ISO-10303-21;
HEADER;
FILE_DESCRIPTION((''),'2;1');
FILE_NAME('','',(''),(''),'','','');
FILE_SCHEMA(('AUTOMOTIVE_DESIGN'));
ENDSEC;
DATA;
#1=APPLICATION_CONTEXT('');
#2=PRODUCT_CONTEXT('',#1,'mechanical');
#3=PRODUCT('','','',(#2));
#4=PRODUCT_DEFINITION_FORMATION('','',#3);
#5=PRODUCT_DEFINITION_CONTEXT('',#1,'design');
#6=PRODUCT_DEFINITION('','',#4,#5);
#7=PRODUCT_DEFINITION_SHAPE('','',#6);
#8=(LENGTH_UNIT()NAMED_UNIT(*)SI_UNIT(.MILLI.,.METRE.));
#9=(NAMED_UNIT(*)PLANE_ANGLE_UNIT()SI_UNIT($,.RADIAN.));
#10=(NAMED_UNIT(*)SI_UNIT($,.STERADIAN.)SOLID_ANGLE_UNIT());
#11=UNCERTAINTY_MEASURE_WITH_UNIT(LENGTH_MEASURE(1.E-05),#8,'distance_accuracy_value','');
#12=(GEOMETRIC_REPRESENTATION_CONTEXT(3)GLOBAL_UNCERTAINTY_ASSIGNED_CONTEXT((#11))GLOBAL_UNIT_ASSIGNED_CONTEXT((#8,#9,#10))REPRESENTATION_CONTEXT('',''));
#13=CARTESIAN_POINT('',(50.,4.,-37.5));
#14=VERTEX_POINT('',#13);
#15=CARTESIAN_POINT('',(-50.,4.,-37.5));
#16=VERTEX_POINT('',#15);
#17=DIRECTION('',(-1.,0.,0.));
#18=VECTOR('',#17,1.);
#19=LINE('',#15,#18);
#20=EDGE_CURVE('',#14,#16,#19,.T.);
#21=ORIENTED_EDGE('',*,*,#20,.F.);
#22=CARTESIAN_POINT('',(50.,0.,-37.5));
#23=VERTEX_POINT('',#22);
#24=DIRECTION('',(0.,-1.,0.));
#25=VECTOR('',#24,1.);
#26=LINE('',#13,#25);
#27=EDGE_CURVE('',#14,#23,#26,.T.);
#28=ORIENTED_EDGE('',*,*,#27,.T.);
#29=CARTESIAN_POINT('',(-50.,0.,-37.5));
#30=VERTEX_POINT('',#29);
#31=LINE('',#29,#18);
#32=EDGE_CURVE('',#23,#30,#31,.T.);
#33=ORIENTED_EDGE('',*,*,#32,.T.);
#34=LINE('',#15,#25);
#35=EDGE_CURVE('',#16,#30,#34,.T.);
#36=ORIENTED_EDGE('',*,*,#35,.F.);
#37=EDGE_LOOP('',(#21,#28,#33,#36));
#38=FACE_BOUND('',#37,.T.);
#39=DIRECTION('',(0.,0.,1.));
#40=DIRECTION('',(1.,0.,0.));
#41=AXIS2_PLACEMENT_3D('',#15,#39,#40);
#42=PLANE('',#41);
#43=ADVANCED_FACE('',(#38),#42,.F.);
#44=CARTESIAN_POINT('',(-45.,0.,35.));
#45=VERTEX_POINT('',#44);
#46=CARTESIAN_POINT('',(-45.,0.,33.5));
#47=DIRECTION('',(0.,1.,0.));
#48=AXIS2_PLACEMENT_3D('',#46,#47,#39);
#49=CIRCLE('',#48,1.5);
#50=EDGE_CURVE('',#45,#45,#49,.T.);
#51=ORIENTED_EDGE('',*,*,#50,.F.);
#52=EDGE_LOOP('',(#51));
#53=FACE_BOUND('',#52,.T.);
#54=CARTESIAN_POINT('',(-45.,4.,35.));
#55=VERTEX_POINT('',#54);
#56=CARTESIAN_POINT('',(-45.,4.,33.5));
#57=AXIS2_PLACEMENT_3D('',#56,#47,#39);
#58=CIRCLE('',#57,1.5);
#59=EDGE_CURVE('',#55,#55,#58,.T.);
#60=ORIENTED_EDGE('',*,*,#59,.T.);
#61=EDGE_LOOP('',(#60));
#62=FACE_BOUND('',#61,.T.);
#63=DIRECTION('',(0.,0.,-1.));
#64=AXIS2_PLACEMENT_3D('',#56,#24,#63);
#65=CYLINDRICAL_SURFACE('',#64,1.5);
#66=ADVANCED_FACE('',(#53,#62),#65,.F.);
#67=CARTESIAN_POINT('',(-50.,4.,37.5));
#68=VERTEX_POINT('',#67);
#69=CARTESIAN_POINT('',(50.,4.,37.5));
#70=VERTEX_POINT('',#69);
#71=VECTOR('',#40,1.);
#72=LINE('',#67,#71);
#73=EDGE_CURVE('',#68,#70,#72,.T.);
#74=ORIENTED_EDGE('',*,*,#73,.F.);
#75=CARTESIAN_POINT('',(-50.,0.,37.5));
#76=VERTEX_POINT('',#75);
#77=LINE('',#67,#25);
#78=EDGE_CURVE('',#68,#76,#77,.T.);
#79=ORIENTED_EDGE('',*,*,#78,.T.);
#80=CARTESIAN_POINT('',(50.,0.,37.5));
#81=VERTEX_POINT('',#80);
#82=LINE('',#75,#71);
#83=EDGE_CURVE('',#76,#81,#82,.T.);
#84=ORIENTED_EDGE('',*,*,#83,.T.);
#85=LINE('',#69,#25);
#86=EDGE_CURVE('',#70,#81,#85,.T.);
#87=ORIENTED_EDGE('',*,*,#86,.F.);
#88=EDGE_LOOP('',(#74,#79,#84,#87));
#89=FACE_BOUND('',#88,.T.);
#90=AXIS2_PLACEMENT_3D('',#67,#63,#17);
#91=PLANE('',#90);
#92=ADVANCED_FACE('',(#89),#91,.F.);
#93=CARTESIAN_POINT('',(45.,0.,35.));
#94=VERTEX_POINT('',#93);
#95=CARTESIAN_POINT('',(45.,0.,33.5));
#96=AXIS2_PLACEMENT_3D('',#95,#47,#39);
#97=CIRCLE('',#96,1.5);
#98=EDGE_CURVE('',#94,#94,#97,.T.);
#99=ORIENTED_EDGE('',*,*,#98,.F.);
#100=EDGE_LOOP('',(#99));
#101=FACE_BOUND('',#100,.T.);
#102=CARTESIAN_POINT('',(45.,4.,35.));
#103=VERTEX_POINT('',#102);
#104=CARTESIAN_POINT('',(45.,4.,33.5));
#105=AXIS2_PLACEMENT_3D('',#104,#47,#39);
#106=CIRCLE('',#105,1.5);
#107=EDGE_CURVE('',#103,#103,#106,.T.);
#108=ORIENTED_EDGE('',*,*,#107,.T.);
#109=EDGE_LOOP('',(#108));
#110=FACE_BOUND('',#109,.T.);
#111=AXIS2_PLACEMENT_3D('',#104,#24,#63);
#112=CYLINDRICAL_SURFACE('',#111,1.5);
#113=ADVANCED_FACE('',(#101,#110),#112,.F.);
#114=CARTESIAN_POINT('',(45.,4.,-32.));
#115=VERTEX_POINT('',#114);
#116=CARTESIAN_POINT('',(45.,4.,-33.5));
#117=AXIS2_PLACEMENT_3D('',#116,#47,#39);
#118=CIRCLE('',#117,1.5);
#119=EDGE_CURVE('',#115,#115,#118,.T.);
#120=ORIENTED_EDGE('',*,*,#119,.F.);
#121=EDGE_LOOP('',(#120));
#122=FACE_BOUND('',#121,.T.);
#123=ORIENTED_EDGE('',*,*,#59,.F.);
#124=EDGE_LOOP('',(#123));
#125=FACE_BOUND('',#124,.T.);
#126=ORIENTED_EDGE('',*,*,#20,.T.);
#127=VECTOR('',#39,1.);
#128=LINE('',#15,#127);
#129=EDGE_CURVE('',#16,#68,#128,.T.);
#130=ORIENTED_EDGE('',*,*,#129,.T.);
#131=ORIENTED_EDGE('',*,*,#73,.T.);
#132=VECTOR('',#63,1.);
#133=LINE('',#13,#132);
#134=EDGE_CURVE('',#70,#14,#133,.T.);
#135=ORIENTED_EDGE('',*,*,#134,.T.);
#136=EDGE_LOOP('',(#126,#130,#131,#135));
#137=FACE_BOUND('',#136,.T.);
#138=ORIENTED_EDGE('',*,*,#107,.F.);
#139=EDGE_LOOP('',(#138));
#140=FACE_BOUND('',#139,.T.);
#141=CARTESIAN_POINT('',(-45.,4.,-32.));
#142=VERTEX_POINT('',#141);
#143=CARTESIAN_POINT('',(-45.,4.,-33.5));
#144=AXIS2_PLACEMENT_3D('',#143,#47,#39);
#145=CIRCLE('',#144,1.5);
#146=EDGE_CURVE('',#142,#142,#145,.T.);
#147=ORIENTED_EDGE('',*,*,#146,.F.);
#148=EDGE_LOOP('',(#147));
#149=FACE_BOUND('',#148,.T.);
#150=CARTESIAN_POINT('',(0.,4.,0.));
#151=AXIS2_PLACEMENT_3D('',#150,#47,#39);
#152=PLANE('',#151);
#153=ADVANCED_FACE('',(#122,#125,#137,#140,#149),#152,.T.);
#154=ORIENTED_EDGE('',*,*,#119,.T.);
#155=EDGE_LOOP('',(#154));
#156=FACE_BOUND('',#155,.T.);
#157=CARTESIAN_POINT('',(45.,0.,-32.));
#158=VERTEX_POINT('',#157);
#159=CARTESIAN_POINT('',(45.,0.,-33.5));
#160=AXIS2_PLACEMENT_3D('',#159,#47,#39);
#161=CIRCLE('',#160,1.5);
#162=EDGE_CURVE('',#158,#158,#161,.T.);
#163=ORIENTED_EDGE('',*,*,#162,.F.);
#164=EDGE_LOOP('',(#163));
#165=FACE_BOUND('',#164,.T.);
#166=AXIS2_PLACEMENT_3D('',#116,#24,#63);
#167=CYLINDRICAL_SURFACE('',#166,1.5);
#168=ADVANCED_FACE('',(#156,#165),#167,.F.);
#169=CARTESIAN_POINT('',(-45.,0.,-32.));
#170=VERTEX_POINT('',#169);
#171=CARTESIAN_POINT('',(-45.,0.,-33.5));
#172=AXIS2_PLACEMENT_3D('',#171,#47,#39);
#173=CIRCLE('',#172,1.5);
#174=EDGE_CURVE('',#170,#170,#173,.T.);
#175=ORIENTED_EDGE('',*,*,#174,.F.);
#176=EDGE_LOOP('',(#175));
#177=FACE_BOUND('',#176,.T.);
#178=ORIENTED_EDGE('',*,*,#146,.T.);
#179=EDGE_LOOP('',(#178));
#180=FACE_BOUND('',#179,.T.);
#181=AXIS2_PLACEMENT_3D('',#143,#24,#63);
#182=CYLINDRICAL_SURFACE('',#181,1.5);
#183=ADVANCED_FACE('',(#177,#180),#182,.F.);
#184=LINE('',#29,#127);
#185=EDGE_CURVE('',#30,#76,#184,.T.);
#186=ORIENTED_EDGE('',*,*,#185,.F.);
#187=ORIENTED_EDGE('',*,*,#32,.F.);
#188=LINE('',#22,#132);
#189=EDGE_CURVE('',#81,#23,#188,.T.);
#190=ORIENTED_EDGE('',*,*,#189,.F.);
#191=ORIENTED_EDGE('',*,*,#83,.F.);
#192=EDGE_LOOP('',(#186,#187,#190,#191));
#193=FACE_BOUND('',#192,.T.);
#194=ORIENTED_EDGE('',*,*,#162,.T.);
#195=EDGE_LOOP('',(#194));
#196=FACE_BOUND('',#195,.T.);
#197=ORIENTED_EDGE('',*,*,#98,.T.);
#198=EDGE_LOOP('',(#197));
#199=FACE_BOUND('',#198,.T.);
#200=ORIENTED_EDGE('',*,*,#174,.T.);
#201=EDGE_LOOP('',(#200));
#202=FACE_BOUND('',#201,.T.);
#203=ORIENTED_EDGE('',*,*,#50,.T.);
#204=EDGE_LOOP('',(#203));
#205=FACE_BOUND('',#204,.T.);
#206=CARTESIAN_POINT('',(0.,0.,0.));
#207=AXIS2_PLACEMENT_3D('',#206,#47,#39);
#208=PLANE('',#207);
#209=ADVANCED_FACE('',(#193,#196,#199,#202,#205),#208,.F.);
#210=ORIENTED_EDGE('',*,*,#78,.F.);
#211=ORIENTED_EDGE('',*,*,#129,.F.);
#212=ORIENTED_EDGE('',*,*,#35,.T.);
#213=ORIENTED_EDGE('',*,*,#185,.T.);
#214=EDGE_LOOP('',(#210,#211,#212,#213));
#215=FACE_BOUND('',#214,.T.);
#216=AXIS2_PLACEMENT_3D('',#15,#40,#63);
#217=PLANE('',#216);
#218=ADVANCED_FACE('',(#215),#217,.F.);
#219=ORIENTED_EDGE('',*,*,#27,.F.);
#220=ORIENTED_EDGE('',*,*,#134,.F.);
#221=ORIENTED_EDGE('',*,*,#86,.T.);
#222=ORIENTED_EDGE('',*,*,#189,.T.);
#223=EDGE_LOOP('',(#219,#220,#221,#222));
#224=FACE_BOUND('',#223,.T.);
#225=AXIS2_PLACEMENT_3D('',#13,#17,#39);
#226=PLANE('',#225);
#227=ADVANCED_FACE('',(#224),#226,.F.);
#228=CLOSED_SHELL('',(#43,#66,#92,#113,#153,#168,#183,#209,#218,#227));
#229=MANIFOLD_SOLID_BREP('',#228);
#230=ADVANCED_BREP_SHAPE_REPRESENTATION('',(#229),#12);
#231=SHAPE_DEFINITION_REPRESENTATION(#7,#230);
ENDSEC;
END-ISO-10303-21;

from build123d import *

# Parameters (mm, degrees)
SKETCH1_W           = 100
SKETCH1_H           = 75
SKETCH1_R           = 1.5
BOSS_EXTRUDE1_DEPTH = 4


with BuildPart() as part:
    # Sketch1 → Boss-Extrude1 (new body)
    with BuildSketch(Plane(origin=(0, 0, 0), x_dir=(1, 0, 0), z_dir=(0, 1, 0))):
        Rectangle(SKETCH1_W, SKETCH1_H)
        with Locations(Location((-45, 33.5, 0), (0, 0, 270))):
            Circle(SKETCH1_R, mode=Mode.SUBTRACT)
        with Locations(Location((-45, -33.5, 0), (0, 0, 270))):
            Circle(SKETCH1_R, mode=Mode.SUBTRACT)
        with Locations(Location((45, 33.5, 0), (0, 0, 270))):
            Circle(SKETCH1_R, mode=Mode.SUBTRACT)
        with Locations(Location((45, -33.5, 0), (0, 0, 270))):
            Circle(SKETCH1_R, mode=Mode.SUBTRACT)
    extrude(amount=BOSS_EXTRUDE1_DEPTH)


solid = part.part
